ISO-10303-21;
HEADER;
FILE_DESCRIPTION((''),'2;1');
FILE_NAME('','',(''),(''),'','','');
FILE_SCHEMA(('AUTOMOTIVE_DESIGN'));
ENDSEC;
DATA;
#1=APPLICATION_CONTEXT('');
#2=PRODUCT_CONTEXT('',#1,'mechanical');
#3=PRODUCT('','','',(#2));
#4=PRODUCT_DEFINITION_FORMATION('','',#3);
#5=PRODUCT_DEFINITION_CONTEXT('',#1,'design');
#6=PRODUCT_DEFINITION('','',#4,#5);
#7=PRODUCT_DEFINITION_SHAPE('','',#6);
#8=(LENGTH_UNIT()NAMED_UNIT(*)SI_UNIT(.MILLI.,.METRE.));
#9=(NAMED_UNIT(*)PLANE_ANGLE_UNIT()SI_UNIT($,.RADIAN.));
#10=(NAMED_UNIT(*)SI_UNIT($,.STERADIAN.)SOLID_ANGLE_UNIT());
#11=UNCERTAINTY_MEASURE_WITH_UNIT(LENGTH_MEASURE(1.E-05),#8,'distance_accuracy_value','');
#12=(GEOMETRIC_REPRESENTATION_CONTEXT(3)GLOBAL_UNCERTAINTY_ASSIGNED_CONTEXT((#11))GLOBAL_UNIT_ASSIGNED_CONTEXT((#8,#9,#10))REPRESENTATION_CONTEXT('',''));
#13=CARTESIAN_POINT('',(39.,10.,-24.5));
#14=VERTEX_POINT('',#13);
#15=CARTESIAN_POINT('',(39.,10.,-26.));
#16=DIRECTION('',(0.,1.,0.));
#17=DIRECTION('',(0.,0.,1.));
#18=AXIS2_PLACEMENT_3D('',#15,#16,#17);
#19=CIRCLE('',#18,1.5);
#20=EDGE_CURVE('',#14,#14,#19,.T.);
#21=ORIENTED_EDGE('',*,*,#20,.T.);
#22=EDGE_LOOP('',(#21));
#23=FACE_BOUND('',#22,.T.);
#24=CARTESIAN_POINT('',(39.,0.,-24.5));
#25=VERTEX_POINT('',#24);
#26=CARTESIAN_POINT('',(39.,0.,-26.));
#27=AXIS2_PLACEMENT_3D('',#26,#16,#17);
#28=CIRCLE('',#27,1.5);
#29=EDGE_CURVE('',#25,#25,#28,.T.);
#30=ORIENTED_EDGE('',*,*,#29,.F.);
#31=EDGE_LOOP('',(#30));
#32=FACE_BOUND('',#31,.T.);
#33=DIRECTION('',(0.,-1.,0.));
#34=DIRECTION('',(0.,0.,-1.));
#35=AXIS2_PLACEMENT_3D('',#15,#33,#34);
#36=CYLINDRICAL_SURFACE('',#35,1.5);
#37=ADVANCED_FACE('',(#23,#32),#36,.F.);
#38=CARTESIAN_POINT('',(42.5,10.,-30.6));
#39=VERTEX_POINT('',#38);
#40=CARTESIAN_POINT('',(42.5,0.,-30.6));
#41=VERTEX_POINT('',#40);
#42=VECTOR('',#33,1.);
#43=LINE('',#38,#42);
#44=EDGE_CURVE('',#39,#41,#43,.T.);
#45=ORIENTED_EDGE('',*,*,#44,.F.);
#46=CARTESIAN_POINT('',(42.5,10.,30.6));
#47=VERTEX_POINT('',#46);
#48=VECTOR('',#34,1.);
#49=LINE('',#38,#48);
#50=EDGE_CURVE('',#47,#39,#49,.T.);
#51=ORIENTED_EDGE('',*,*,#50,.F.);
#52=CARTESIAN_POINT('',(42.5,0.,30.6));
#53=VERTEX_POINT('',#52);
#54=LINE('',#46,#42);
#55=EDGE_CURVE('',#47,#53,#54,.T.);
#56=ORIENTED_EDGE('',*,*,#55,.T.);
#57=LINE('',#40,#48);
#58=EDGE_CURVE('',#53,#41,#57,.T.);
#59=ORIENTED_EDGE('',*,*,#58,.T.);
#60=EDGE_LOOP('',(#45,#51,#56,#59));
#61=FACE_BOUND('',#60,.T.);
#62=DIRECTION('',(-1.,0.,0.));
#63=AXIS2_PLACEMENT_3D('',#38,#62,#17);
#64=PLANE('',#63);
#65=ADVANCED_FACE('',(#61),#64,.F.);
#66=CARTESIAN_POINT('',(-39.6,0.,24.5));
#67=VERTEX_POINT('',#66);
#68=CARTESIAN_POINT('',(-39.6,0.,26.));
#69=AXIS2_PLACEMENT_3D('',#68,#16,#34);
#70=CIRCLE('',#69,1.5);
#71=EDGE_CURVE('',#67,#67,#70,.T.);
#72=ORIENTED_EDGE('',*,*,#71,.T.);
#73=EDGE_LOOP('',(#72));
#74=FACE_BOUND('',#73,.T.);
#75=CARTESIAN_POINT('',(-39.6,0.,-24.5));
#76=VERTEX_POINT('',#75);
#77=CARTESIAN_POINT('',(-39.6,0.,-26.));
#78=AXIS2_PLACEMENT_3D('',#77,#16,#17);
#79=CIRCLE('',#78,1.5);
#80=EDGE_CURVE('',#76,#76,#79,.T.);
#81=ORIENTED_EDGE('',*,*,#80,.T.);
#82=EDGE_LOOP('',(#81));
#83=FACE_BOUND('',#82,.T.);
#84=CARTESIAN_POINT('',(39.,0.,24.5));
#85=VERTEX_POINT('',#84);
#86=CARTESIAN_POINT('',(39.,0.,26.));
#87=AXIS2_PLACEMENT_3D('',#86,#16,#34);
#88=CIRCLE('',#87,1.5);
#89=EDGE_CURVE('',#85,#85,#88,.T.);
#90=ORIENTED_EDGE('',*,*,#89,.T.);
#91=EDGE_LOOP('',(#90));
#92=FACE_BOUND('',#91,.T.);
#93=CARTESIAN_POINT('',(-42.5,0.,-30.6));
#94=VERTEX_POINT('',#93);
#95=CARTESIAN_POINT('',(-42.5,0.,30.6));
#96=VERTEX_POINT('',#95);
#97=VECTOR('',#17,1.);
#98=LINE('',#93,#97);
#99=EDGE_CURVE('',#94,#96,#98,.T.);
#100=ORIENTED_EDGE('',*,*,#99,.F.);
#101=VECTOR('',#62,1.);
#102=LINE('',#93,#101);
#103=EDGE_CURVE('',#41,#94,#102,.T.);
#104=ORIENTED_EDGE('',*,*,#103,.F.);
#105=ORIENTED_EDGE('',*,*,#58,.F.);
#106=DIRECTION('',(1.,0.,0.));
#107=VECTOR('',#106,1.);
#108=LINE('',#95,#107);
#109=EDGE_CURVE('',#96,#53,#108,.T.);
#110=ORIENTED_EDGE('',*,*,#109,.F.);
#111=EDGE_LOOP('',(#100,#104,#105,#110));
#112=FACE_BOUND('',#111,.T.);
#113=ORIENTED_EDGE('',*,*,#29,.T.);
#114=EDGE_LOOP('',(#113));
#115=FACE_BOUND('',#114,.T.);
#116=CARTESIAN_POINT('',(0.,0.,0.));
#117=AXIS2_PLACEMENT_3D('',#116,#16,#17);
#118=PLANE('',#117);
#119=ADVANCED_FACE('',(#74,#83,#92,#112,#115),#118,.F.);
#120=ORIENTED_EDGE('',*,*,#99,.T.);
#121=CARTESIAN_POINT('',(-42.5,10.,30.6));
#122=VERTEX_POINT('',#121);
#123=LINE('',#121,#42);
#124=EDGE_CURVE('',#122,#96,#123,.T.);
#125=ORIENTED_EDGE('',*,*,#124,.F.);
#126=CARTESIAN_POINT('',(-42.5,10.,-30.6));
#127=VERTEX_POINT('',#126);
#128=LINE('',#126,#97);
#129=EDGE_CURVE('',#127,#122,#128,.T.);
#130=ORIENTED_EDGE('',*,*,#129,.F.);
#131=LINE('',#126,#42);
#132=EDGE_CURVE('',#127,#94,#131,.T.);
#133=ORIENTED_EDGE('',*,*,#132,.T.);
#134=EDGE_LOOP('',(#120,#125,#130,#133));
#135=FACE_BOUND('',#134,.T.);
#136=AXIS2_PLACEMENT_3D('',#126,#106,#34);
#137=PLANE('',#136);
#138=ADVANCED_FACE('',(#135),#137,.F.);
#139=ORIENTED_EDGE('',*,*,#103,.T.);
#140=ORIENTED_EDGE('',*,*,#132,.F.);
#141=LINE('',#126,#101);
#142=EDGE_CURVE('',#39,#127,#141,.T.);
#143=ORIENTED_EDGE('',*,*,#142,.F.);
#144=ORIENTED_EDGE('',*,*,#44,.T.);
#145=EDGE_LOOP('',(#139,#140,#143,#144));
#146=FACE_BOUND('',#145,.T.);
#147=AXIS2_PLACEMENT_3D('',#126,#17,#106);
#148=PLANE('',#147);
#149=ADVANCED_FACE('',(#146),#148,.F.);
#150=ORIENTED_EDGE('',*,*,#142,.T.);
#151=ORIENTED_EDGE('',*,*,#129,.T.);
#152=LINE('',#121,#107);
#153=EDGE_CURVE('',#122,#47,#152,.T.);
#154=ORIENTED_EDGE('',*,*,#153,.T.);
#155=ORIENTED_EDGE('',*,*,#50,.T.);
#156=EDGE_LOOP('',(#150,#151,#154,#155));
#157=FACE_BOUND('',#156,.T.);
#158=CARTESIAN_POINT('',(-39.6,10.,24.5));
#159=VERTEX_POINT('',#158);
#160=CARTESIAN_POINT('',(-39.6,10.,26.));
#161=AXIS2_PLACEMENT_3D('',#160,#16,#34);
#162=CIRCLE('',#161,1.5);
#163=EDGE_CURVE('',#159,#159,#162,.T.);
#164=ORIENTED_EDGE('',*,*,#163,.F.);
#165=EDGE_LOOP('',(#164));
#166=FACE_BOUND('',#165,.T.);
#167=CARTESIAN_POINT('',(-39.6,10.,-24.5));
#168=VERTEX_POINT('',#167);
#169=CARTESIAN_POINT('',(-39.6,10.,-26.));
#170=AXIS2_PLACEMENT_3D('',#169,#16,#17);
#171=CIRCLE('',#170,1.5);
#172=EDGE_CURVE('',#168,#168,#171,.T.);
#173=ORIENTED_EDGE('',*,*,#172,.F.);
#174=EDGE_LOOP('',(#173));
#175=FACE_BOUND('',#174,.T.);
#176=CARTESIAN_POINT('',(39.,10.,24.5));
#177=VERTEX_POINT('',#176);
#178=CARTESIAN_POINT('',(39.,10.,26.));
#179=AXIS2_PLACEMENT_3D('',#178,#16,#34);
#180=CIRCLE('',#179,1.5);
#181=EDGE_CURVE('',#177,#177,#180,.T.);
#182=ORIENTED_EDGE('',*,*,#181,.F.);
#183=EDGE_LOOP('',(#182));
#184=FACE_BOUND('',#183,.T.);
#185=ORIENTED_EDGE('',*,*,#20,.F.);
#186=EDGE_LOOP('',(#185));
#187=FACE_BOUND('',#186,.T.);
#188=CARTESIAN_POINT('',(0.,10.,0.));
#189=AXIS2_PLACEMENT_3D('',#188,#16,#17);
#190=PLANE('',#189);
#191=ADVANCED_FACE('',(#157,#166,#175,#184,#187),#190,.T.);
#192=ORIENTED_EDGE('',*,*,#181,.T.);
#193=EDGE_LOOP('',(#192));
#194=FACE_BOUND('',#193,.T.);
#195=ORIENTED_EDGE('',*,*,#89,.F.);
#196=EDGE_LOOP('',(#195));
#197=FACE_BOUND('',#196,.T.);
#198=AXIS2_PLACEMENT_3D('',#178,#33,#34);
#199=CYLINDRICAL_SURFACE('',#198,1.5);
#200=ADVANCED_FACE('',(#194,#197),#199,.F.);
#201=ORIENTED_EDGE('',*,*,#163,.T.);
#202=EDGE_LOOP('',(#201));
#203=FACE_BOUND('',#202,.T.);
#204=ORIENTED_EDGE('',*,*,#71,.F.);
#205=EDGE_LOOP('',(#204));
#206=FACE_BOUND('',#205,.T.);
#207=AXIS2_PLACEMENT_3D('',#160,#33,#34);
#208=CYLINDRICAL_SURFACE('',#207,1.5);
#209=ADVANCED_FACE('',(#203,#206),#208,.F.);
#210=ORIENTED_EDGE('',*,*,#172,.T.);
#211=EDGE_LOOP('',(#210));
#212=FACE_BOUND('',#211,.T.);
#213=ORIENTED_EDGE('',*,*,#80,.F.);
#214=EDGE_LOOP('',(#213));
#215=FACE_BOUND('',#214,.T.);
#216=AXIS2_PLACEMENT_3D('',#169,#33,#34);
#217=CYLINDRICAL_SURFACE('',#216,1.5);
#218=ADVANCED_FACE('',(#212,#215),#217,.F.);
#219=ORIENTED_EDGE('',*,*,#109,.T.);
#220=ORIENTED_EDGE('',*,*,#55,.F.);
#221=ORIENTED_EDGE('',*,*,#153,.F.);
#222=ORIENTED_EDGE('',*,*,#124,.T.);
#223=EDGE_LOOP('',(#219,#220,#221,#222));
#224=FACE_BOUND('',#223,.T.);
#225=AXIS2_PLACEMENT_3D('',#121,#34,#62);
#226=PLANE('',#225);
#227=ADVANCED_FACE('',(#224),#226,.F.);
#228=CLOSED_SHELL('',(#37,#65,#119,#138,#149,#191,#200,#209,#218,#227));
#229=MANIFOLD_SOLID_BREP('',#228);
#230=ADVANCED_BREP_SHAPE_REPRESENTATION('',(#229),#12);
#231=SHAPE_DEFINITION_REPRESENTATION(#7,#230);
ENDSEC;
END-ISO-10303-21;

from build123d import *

# Parameters (mm, degrees)
SKETCH_1_W      = 85
SKETCH_1_H      = 61.2
SKETCH_1_R      = 1.5
EXTRUDE_1_DEPTH = 10


with BuildPart() as part:
    # 草图1 → 凸台-拉伸1 (new body)
    with BuildSketch(Plane(origin=(0, 0, 0), x_dir=(1, 0, 0), z_dir=(0, 1, 0))):
        Rectangle(SKETCH_1_W, SKETCH_1_H)
        with Locations(Location((-39.6, 26, 0), (0, 0, 270))):
            Circle(SKETCH_1_R, mode=Mode.SUBTRACT)
        with Locations(Location((39, 26, 0), (0, 0, 270))):
            Circle(SKETCH_1_R, mode=Mode.SUBTRACT)
        with Locations(Location((39, -26, 0), (0, 0, 90))):
            Circle(SKETCH_1_R, mode=Mode.SUBTRACT)
        with Locations(Location((-39.6, -26, 0), (0, 0, 90))):
            Circle(SKETCH_1_R, mode=Mode.SUBTRACT)
    extrude(amount=EXTRUDE_1_DEPTH)


solid = part.part
